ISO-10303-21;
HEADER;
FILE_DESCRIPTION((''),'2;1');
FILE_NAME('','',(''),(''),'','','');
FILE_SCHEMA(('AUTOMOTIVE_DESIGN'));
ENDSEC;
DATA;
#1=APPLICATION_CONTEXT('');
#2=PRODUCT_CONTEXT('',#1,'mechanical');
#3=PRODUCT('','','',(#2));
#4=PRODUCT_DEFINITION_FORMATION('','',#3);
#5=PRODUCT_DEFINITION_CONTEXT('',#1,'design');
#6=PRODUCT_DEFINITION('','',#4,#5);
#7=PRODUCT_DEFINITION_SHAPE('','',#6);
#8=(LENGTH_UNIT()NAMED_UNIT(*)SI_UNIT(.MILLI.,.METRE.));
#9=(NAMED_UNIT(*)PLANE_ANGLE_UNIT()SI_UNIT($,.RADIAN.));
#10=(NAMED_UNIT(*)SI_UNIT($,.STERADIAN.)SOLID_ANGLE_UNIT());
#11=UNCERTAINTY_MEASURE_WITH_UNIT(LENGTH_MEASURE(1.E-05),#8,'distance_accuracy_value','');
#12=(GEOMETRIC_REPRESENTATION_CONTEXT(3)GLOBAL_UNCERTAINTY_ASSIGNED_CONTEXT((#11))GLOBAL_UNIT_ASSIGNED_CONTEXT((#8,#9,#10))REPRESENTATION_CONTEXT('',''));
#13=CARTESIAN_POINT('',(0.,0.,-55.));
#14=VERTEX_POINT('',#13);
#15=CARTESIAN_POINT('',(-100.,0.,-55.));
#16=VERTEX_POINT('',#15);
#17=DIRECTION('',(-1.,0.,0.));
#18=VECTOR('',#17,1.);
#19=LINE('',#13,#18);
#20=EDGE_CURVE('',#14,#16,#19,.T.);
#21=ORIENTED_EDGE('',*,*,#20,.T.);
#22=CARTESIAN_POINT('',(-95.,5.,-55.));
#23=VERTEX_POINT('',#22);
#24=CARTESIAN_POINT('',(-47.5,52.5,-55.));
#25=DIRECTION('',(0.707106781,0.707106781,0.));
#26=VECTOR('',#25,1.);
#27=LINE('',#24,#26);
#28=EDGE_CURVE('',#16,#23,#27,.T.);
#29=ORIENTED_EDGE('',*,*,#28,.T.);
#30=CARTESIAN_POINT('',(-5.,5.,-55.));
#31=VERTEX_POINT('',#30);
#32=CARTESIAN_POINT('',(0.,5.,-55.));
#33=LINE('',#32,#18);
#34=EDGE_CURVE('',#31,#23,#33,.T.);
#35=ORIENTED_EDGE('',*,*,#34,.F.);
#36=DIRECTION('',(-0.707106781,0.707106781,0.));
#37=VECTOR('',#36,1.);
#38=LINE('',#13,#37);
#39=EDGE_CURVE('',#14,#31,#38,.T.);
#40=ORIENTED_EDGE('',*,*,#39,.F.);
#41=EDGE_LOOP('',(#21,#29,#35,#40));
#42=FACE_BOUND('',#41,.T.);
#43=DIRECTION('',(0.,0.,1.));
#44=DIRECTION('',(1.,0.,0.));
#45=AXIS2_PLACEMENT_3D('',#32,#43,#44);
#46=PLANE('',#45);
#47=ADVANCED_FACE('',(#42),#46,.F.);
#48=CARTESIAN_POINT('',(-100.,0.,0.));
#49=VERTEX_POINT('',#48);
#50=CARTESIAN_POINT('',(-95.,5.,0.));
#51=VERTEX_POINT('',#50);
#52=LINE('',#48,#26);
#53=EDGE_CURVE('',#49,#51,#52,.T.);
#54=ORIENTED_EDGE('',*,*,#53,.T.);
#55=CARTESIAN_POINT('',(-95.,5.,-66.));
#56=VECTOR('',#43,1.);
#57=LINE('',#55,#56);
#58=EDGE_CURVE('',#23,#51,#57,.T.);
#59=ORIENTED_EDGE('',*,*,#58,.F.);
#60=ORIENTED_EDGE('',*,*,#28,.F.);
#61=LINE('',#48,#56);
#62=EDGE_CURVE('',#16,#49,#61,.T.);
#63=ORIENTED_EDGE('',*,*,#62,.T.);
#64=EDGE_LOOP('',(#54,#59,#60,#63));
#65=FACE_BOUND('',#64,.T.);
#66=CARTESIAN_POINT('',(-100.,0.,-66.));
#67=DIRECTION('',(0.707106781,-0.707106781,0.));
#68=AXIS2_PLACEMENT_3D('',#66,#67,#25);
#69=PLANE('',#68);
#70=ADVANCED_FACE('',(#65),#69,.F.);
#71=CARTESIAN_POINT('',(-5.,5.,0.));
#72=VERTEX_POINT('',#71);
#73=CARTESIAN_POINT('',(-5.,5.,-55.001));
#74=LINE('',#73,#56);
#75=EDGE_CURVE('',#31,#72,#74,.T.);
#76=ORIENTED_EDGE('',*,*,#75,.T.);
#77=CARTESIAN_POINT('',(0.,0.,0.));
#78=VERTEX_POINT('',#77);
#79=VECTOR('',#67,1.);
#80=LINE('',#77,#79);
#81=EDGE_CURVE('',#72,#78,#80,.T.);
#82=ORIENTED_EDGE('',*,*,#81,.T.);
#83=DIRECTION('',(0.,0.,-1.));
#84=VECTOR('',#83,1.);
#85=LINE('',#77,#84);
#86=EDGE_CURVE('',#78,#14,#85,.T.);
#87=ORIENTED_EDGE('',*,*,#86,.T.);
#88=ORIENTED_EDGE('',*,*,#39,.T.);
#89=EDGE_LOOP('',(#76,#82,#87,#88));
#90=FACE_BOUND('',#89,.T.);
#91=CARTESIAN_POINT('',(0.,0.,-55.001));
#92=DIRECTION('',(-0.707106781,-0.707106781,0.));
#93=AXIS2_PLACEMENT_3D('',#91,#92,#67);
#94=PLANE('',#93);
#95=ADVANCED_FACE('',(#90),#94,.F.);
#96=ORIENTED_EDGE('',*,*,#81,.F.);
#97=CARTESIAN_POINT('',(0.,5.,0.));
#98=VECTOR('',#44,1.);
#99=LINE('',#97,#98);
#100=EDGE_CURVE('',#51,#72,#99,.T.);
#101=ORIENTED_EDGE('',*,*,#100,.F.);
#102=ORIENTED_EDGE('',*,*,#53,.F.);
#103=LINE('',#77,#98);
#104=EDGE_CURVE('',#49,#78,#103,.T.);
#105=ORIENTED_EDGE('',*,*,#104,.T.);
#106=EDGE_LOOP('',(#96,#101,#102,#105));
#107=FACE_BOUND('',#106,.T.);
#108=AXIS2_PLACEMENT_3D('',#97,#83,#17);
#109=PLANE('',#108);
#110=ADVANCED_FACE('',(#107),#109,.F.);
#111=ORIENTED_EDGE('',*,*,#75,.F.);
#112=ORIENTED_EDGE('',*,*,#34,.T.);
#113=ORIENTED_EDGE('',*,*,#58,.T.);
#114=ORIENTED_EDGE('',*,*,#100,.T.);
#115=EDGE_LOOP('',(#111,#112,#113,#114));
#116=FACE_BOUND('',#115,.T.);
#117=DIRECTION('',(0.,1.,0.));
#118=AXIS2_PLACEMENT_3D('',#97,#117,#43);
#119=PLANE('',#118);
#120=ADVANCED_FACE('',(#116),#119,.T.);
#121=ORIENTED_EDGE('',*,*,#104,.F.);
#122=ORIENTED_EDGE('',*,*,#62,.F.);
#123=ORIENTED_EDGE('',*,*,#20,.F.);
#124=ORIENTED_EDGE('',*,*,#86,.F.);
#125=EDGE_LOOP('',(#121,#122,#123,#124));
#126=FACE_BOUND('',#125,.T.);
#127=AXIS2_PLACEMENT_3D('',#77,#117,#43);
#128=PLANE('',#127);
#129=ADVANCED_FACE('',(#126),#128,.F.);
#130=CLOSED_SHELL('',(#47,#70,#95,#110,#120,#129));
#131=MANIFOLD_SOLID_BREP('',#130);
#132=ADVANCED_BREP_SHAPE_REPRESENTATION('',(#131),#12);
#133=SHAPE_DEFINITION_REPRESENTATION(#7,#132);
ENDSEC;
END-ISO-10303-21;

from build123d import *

# Parameters (mm, degrees)
SKETCH2_W           = 100
SKETCH2_H           = 55
BOSS_EXTRUDE1_DEPTH = 5
CUT_EXTRUDE2_REACH  = 116.237
CUT_EXTRUDE3_DEPTH  = 66


with BuildPart() as part:
    # Sketch2 → Boss-Extrude1 (new body)
    with BuildSketch(Plane(origin=(0, 0, 0), x_dir=(1, 0, 0), z_dir=(0, 1, 0))):
        with Locations((-50, 27.5)):
            Rectangle(SKETCH2_W, SKETCH2_H)
    extrude(amount=BOSS_EXTRUDE1_DEPTH)

    # Sketch5 → Cut-Extrude2 (cut, up to next)
    with BuildSketch(Plane.XY, mode=Mode.PRIVATE) as cut_extrude2_sk1:
        Polygon((0, 0), (-5, 5), (0, 5), align=None)
    cut_extrude2_tool1 = extrude(cut_extrude2_sk1.sketch, amount=-CUT_EXTRUDE2_REACH, mode=Mode.PRIVATE) & part.part
    add(cut_extrude2_tool1.solids().sort_by_distance((-1.666667, 3.333333, 0))[0], mode=Mode.SUBTRACT)

    # Sketch3 → Cut-Extrude3 (cut)
    with BuildSketch(Plane.XY):
        Polygon((-100, 0), (-95, 5), (-100, 5), align=None)
    extrude(amount=-CUT_EXTRUDE3_DEPTH, mode=Mode.SUBTRACT)


solid = part.part
